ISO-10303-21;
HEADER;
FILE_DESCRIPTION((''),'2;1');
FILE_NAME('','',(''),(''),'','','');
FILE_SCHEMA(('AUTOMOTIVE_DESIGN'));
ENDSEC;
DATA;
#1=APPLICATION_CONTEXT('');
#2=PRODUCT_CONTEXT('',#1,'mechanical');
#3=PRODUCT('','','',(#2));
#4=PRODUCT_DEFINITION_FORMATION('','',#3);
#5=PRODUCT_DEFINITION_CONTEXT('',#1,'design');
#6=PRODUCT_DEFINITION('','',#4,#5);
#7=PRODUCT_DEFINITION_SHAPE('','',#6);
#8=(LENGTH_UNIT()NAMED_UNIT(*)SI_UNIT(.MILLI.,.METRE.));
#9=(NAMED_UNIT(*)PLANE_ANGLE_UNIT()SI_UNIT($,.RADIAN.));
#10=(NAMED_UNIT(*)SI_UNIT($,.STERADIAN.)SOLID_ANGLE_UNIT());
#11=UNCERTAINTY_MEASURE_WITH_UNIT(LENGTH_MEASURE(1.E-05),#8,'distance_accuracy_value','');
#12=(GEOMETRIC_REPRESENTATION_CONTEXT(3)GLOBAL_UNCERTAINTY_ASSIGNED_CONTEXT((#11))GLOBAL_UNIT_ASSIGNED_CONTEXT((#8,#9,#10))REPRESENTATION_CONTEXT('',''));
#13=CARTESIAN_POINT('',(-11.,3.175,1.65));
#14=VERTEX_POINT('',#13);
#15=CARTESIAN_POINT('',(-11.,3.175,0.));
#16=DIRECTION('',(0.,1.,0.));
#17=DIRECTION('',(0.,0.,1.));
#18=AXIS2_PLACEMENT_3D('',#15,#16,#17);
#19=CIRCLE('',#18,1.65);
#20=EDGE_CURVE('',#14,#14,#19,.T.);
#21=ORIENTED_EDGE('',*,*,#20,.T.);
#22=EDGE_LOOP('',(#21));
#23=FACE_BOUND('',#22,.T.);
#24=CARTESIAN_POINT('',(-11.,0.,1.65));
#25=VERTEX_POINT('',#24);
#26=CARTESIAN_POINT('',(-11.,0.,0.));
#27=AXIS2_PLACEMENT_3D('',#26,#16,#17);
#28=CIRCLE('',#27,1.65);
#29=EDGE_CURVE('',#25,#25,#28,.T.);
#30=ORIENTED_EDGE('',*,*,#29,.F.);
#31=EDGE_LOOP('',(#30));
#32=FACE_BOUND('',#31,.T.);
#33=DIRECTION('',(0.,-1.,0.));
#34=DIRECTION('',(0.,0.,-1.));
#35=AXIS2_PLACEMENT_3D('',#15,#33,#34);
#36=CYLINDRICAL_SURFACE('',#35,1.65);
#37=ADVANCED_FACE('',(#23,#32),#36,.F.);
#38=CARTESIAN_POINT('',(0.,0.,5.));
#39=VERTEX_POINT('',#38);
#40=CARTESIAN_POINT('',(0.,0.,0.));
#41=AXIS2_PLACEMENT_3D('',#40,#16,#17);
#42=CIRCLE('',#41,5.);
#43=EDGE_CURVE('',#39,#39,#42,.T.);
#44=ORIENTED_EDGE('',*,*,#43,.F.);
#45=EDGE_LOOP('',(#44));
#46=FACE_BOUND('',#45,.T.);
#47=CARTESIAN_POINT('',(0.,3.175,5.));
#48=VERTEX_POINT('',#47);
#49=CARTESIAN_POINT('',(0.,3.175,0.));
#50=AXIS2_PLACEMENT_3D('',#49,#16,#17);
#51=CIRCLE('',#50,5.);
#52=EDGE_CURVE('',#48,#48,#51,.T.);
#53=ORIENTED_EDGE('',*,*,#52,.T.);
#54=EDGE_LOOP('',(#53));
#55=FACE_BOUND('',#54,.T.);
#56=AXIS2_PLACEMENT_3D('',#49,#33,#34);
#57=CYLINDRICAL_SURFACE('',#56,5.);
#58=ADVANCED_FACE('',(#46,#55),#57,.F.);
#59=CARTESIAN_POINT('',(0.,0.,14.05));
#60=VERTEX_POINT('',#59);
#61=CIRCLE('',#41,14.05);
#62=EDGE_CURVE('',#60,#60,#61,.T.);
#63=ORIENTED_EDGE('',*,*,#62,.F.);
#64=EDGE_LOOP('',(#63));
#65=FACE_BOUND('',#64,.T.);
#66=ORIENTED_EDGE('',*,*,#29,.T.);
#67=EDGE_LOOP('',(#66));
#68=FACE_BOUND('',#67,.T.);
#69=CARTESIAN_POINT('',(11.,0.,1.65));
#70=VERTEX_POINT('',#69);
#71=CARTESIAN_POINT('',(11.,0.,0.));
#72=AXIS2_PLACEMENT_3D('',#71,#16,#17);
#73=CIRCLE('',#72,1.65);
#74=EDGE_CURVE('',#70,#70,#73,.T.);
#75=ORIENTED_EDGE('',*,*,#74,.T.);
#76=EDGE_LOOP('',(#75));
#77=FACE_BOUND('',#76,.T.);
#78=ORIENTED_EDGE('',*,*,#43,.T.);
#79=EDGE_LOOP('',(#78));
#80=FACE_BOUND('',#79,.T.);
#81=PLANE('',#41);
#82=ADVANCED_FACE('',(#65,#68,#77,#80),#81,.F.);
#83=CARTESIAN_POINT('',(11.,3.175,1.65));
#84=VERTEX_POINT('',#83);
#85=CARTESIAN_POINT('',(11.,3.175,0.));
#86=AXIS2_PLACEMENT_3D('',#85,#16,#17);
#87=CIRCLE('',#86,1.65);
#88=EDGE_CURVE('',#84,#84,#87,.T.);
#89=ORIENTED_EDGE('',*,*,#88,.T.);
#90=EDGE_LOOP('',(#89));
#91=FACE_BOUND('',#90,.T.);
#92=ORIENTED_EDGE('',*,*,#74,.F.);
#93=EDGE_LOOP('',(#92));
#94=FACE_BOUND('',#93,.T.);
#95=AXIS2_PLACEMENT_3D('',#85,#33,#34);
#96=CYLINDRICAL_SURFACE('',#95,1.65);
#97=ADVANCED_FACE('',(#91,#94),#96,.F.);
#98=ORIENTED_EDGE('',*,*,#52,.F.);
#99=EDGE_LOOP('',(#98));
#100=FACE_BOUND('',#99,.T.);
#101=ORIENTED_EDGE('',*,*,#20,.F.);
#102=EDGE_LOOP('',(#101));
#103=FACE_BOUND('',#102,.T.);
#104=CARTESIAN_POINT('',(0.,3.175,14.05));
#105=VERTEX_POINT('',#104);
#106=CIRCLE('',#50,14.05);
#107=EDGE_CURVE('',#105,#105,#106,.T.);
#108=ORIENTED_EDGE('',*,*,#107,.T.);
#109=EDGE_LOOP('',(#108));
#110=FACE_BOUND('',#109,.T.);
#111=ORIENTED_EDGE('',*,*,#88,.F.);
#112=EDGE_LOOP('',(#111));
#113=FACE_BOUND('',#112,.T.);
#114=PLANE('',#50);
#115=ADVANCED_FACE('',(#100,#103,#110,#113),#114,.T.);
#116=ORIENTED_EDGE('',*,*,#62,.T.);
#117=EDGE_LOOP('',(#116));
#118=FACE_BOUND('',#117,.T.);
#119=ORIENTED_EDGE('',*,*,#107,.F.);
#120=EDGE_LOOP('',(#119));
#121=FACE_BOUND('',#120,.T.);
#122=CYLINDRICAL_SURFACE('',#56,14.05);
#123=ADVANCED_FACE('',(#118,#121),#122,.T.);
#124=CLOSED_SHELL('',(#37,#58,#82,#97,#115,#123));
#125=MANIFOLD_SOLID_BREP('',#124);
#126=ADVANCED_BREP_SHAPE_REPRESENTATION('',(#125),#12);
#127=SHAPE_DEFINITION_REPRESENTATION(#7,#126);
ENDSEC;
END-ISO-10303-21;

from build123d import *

# Parameters (mm, degrees)
SKETCH1_R           = 14.05
SKETCH1_R_2         = 5
SKETCH1_R_3         = 1.65
BOSS_EXTRUDE1_DEPTH = 3.175


with BuildPart() as part:
    # Sketch1 → Boss-Extrude1 (new body)
    with BuildSketch(Plane(origin=(0, 0, 0), x_dir=(1, 0, 0), z_dir=(0, 1, 0))):
        Circle(SKETCH1_R)
        Circle(SKETCH1_R_2, mode=Mode.SUBTRACT)
        with Locations((11, 0)):
            Circle(SKETCH1_R_3, mode=Mode.SUBTRACT)
        with Locations((-11, 0)):
            Circle(SKETCH1_R_3, mode=Mode.SUBTRACT)
    extrude(amount=BOSS_EXTRUDE1_DEPTH)


solid = part.part
